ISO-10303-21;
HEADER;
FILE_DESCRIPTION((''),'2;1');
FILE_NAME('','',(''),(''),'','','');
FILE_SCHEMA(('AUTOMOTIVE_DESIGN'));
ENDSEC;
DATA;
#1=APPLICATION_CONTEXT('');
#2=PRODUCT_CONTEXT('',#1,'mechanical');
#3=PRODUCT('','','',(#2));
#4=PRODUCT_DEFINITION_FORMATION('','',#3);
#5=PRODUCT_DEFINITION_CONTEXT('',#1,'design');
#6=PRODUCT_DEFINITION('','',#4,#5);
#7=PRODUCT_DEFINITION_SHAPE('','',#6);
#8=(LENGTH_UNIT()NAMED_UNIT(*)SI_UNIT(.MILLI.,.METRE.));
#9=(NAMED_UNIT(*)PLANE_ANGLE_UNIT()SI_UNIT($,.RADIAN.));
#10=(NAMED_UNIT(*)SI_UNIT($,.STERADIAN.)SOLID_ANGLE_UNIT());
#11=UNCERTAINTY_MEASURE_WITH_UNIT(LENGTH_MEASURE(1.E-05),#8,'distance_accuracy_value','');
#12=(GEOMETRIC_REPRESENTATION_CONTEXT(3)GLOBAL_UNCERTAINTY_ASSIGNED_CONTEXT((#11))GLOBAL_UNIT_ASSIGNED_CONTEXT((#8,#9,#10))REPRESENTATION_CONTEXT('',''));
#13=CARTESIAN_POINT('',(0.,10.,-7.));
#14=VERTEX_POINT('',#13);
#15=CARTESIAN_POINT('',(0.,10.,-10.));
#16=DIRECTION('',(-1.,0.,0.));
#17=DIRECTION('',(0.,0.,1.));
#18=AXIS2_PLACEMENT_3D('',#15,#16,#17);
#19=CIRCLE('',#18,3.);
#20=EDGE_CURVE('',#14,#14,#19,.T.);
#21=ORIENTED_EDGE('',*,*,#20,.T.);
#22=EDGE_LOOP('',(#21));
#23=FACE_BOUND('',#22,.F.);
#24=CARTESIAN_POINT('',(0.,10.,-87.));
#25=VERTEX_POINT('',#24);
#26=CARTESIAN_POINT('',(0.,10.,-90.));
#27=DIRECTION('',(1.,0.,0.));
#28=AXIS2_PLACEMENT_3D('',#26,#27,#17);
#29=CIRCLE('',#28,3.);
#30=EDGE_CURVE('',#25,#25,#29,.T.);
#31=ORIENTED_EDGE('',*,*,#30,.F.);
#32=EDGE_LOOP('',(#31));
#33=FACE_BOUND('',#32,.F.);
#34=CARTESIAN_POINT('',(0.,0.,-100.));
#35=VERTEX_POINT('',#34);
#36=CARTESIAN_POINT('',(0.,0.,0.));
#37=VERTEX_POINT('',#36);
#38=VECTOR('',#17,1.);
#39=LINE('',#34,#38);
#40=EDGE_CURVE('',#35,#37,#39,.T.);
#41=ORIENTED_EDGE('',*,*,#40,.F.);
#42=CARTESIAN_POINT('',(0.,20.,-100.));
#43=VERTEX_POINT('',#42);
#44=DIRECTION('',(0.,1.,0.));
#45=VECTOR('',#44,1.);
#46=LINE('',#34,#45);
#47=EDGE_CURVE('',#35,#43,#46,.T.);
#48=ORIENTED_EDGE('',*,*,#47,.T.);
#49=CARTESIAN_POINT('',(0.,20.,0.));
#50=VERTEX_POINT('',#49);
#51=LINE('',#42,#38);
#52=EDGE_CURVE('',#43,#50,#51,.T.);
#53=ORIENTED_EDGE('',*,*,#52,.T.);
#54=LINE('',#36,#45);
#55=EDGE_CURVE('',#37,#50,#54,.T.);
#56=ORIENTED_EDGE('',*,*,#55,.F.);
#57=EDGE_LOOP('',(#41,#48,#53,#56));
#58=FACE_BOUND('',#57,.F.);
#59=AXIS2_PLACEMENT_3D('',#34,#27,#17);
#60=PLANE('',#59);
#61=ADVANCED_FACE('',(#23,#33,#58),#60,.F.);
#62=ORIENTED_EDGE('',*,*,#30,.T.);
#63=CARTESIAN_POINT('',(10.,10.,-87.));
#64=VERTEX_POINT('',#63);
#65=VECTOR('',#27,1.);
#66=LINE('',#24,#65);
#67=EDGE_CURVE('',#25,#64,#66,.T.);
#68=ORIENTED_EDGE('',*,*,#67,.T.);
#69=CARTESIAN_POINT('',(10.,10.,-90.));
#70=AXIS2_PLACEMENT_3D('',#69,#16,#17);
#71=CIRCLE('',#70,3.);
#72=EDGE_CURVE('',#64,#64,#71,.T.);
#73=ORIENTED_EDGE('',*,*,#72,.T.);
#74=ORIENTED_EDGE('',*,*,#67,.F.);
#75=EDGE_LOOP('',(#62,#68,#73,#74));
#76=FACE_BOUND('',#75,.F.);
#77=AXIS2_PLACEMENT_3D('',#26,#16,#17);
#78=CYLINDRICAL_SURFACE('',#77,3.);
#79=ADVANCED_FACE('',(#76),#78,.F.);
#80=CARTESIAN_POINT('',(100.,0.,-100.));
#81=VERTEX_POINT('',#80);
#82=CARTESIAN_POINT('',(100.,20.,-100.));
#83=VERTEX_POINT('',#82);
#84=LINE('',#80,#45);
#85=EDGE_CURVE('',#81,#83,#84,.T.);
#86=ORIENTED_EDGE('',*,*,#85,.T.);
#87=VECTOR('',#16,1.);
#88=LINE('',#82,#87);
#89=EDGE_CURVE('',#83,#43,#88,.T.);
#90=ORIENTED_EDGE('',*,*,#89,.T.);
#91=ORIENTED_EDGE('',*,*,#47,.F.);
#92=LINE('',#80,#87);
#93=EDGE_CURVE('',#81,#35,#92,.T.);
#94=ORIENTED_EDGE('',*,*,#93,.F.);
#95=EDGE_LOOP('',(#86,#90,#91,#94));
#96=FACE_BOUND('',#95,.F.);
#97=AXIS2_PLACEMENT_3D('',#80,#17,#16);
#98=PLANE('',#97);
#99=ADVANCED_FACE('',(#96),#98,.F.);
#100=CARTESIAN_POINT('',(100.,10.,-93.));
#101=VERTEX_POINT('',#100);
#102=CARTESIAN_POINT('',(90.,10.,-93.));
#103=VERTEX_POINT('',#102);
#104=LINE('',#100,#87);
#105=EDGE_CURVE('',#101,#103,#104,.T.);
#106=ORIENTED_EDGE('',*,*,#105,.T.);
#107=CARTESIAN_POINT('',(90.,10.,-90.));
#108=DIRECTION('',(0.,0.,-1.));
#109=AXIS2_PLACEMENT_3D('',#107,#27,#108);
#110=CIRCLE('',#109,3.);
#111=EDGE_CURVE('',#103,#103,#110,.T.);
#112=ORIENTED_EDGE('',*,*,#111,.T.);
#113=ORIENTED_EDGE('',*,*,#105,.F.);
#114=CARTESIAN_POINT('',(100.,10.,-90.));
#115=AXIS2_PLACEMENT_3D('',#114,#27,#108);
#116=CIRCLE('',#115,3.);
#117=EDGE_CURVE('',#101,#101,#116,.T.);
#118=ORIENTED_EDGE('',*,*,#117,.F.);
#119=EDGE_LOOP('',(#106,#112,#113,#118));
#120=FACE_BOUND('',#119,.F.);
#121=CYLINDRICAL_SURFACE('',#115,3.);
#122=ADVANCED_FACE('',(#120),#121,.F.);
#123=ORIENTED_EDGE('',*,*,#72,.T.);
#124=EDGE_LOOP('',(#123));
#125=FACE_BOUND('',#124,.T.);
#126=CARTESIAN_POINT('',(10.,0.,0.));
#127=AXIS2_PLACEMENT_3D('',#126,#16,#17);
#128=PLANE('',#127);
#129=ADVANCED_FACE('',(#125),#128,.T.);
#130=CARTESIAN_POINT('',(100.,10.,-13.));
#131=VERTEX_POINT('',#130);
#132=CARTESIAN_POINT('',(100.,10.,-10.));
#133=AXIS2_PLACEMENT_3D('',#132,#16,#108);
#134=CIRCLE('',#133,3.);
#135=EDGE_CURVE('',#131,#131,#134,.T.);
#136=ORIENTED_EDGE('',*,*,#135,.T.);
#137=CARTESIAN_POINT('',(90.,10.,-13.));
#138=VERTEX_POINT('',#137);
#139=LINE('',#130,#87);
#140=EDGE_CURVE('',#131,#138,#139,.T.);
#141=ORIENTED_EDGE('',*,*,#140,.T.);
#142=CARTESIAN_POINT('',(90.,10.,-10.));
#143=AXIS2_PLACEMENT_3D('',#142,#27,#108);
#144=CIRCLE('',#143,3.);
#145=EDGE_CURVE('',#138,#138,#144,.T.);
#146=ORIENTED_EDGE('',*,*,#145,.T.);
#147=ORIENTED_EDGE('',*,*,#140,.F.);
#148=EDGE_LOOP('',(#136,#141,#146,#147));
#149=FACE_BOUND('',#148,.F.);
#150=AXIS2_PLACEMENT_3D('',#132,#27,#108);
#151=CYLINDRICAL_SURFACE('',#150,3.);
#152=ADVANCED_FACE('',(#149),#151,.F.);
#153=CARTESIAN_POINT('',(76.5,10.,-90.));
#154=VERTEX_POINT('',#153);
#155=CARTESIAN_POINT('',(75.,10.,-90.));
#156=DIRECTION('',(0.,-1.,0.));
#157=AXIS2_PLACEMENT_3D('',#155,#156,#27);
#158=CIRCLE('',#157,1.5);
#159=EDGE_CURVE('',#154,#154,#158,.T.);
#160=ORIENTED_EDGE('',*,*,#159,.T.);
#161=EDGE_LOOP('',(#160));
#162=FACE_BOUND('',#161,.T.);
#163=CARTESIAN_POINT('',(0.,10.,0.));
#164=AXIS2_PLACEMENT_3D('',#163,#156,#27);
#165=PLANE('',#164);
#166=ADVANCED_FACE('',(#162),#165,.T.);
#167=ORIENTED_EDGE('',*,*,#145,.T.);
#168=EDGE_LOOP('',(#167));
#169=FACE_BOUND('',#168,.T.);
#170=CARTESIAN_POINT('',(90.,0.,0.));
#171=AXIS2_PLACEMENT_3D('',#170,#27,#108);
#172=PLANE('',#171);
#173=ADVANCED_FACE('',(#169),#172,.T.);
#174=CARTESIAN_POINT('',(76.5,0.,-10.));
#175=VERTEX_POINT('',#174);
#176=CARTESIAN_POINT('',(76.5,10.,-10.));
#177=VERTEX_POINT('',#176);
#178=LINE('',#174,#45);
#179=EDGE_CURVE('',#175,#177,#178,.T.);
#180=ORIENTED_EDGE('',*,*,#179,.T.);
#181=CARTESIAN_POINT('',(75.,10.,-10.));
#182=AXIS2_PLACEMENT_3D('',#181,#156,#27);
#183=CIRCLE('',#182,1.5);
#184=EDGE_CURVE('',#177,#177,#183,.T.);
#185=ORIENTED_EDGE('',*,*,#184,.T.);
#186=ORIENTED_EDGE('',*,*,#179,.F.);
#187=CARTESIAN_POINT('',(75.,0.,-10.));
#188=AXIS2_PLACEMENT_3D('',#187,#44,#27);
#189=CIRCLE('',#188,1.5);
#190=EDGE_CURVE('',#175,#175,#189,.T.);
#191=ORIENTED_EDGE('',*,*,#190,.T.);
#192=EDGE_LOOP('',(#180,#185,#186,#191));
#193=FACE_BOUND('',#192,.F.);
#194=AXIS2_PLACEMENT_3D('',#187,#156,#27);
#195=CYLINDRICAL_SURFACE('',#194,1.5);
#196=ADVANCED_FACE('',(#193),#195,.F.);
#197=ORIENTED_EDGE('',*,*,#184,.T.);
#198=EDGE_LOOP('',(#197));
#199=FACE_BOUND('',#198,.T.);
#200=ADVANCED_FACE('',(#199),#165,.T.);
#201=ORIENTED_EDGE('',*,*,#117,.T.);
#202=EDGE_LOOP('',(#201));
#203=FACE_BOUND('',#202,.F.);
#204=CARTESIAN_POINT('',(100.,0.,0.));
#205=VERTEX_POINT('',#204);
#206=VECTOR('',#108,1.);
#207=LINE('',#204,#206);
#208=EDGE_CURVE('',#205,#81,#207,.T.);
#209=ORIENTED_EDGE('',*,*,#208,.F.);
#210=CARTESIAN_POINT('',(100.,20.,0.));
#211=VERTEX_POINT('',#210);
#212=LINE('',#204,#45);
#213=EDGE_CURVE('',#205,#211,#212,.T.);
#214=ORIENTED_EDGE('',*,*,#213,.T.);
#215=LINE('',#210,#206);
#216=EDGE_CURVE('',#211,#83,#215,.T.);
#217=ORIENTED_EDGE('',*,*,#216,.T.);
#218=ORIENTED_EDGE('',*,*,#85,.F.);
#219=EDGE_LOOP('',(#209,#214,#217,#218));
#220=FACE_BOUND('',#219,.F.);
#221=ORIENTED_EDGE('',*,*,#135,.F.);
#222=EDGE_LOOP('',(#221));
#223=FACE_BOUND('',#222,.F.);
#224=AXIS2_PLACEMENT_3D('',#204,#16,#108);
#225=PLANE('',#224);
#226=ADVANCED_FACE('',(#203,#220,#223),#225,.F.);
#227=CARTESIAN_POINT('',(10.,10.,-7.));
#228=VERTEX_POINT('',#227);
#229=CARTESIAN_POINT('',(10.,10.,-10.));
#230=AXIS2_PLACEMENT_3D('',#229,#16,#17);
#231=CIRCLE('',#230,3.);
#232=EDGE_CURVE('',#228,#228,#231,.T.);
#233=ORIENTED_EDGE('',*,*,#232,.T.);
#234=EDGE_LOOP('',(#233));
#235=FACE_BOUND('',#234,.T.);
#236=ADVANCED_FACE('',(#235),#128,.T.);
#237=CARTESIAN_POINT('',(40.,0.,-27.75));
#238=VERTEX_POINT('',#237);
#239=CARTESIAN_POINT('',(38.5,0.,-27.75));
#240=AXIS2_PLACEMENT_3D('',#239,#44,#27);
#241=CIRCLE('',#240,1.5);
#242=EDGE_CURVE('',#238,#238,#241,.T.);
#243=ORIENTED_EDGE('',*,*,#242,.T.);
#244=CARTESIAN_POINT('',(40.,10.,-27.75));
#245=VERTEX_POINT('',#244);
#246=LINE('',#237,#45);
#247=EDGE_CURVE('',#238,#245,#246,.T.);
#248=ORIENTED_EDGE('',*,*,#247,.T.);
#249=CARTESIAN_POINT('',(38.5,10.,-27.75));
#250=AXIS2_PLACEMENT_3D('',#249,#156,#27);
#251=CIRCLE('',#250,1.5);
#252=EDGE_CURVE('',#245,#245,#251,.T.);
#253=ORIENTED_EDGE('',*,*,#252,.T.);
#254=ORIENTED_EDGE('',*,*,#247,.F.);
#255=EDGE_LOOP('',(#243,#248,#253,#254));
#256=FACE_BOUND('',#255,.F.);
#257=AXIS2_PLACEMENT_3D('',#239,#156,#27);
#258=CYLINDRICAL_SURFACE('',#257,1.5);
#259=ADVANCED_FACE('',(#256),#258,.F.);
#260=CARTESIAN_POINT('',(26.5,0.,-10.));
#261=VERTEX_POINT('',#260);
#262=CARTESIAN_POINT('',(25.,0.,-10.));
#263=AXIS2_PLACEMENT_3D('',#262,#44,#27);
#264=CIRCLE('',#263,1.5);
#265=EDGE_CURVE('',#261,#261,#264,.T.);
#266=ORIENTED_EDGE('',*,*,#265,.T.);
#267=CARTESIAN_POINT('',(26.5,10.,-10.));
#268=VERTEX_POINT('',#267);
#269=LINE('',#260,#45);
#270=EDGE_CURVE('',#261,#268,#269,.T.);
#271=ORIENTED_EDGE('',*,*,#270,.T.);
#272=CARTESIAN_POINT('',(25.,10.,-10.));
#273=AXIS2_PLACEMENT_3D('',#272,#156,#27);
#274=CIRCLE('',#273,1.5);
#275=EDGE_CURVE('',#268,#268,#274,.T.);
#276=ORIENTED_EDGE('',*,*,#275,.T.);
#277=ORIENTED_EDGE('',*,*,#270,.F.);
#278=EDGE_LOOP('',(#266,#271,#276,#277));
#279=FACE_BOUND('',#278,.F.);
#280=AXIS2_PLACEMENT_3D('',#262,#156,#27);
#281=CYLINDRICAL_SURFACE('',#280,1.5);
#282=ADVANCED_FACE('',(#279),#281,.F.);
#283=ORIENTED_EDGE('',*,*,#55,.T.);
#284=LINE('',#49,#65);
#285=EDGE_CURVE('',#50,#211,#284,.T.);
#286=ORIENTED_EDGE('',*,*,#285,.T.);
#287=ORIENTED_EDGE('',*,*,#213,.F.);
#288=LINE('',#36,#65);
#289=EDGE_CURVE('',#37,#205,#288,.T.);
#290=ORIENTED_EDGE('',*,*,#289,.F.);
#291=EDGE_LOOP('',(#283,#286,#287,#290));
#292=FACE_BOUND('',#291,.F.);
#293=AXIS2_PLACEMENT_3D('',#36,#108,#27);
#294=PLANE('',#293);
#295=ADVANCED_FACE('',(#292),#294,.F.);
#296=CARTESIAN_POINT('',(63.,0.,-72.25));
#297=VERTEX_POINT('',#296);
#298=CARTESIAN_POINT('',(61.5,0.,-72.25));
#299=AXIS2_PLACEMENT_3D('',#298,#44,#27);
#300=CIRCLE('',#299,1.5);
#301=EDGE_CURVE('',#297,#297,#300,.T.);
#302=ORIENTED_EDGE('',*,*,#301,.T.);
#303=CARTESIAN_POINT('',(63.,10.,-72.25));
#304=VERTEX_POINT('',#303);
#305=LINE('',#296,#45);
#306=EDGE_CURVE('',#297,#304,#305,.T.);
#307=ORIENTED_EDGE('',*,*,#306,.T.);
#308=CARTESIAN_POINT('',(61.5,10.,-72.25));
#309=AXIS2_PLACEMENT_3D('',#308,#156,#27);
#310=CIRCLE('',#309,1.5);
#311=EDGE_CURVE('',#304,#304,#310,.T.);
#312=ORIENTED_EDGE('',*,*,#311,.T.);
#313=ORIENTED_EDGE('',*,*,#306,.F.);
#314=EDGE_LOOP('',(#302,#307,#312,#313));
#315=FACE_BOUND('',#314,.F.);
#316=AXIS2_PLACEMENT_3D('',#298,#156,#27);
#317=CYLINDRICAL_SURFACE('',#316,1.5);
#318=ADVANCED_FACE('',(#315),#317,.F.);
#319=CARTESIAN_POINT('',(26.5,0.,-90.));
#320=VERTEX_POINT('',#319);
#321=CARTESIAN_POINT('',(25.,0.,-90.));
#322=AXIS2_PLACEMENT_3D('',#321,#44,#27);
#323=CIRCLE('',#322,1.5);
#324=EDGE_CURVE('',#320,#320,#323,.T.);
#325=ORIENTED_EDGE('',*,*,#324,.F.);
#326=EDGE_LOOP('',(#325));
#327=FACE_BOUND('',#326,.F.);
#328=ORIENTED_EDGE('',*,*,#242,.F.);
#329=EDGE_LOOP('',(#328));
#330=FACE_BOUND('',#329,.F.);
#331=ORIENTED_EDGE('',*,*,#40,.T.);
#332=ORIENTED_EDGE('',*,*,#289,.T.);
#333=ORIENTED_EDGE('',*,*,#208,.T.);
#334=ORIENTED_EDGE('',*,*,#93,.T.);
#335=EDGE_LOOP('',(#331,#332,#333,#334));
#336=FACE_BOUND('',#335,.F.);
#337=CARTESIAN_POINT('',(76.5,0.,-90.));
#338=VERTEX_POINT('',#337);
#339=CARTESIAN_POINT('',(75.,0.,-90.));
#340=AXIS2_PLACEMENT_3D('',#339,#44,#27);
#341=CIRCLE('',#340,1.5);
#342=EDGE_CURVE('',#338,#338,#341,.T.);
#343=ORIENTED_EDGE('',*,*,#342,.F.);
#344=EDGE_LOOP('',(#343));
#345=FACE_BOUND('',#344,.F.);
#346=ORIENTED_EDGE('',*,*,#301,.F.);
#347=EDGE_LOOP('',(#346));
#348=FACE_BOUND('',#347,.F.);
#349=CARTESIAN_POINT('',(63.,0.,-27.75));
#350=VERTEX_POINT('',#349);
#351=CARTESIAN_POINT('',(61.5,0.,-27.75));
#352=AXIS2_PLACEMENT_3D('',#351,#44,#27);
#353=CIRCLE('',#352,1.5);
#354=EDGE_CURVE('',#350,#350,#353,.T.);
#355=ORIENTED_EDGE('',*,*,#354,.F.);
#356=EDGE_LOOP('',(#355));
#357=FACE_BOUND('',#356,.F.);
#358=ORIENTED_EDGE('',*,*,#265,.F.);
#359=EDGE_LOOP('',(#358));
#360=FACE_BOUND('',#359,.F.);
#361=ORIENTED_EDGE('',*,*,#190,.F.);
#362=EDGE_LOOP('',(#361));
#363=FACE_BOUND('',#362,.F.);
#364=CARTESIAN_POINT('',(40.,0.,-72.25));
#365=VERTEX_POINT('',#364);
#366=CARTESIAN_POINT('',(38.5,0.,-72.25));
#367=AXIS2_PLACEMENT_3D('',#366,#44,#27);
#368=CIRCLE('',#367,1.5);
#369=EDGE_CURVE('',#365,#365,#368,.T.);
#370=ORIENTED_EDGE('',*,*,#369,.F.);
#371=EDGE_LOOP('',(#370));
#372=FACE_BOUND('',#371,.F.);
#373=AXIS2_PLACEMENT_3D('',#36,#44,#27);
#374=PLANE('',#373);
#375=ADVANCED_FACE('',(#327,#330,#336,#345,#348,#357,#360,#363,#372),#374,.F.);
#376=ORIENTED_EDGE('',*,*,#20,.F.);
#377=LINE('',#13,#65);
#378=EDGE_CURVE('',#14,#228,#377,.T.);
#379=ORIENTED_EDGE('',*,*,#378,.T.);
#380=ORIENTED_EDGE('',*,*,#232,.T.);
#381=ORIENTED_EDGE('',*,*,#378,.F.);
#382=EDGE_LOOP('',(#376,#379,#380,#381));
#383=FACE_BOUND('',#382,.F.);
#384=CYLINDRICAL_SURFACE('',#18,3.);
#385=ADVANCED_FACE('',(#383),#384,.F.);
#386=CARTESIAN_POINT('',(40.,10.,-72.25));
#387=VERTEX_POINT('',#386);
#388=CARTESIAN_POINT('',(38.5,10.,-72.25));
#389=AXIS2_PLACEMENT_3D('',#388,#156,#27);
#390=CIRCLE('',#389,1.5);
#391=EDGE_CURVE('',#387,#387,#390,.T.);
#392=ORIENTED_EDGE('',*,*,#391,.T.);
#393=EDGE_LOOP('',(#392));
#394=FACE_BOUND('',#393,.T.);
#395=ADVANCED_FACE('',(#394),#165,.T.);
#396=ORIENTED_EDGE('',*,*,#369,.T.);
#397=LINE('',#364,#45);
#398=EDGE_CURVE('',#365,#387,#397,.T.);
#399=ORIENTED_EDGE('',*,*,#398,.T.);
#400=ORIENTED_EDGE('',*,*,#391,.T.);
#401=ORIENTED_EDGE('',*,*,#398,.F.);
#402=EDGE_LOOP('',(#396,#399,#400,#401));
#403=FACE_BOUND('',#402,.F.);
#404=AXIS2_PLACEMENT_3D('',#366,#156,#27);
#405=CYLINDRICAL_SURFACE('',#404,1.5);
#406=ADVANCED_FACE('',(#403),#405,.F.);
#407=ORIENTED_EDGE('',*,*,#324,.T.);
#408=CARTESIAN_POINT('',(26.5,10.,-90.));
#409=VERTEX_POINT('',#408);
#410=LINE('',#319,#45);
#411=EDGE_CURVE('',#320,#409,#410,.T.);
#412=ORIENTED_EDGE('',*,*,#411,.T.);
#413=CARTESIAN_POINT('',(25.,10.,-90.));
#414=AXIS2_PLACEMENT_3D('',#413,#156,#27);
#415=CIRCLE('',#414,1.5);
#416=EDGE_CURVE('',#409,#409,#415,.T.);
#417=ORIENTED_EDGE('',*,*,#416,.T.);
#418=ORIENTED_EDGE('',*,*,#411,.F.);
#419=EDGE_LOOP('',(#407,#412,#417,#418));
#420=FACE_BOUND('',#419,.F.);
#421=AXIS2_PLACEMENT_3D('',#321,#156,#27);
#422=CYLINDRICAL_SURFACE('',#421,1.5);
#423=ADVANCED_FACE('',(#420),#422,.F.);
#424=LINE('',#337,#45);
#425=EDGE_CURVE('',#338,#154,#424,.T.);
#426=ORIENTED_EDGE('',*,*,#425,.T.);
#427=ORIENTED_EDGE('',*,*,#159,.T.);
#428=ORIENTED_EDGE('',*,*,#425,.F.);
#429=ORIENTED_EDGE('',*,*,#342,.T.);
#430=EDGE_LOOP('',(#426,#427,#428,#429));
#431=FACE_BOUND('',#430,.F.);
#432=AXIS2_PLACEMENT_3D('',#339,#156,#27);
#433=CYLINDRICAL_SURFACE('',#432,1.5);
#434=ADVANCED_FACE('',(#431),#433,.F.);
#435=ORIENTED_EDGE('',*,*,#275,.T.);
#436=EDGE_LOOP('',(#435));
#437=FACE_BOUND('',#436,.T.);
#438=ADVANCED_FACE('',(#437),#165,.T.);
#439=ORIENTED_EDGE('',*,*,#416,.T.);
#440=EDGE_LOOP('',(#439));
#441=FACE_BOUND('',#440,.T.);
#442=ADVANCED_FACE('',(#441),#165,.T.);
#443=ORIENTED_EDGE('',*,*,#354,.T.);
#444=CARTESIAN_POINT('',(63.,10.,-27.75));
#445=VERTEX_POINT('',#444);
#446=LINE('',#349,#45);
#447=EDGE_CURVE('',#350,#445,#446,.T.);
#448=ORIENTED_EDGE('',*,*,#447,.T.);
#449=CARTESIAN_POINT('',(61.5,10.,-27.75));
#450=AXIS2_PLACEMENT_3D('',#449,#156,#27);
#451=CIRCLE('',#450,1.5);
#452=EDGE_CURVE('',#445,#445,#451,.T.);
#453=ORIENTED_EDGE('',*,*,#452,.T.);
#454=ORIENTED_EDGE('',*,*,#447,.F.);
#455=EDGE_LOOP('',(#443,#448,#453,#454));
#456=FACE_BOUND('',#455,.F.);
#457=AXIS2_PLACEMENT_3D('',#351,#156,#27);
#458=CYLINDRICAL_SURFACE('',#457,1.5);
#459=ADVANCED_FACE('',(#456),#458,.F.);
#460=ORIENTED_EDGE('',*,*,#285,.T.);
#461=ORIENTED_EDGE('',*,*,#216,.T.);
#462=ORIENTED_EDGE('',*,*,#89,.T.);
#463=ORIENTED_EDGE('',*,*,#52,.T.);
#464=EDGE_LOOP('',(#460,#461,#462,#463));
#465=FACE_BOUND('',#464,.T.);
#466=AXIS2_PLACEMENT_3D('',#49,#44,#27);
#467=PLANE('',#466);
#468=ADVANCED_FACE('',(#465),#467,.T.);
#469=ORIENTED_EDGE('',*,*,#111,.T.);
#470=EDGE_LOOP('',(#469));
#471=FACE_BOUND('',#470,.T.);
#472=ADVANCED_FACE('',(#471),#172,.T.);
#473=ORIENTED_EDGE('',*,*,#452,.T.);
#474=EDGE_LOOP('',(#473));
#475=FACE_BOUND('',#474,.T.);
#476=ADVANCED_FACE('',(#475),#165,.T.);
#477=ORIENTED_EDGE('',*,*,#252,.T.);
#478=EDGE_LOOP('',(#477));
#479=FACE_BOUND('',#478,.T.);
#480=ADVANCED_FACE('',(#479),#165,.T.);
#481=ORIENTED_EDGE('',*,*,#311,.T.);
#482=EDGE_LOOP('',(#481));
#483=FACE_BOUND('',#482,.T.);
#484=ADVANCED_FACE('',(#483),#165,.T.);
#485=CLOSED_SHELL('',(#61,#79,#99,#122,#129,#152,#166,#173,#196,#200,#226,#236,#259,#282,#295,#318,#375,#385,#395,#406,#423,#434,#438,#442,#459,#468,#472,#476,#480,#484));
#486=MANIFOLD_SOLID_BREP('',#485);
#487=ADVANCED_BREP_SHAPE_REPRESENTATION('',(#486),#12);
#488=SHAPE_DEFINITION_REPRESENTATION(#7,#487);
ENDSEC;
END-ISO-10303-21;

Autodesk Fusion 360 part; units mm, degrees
sketch "Esquisse1" plane through (0, 0, 0) normal (0, 1, 0) x (1, 0, 0)
  line L0 (0, 0) -> (100, 0)
  line L1 (100, 0) -> (100, 100)
  line L2 (100, 100) -> (0, 100)
  line L3 (0, 100) -> (0, 0)
  dimension "d1" = 100
  dimension "d2" = 100
extrude "Extrusion1" add sketch "Esquisse1" along normal blind 20
sketch "Esquisse2" plane through (100, 0, 0) normal (1, 0, 0) x (0, 0, -1)
  line L0 (0, 0) -> (100, 0)
  line L1 (100, 0) -> (100, 20)
  line L2 (100, 20) -> (0, 20)
  line L3 (0, 20) -> (0, 0)
  line L4 (0, 10) -> (37, 10)
  circle A0 centre (10, 10) radius 3
  line L5 (50, 20) -> (50, 0)
  circle A1 centre (90, 10) radius 3
  dimension "d5" = 6
  dimension "d6" = 10
extrude "Extrusion2" cut sketch "Esquisse2" against normal blind 10 contours L4 A0 | L4 A0 | A1
sketch "Esquisse3" plane through (0, 0, 0) normal (-1, 0, 0) x (0, 0, 1)
  line L0 (-100, 0) -> (0, 0)
  line L1 (0, 0) -> (0, 20)
  line L2 (0, 20) -> (-100, 20)
  line L3 (-100, 20) -> (-100, 0)
  line L4 (-100, 10) -> (-70, 10)
  line L5 (-50, 20) -> (-50, 0)
  circle A0 centre (-90, 10) radius 3
  circle A1 centre (-10, 10) radius 3
  dimension "d9" = 6
  dimension "d10" = 10
extrude "Extrusion3" cut sketch "Esquisse3" against normal blind 10 contours L4 A0 | L4 A0 | A1
sketch "Esquisse4" plane through (0, 0, 0) normal (0, -1, 0) x (1, 0, 0)
  line L0 (0, 0) -> (0, -100)
  line L1 (0, -100) -> (100, -100)
  line L2 (100, -100) -> (100, 0)
  line L3 (100, 0) -> (0, 0)
  line L4 (0, -5) -> (20, -5)
  line L5 (20, -5) -> (20, 0)
  line L6 (80, 0) -> (80, -5)
  line L7 (80, -5) -> (100, -5)
  line L8 (0, -95) -> (20, -95)
  line L9 (20, -95) -> (20, -100)
  line L10 (80, -100) -> (80, -95)
  line L11 (80, -95) -> (100, -95)
  line L12 (20, -5) -> (80, -5)
  line L13 (80, -95) -> (20, -95)
  line L14 (20, -95) -> (20, -5)
  line L15 (80, -5) -> (80, -95)
  line L16 (20, -90) -> (25, -90)
  line L17 (25, -90) -> (25, -95)
  line L18 (80, -90) -> (75, -90)
  line L19 (75, -90) -> (75, -95)
  circle A0 centre (25, -90) radius 1.5
  circle A1 centre (75, -90) radius 1.5
  line L20 (20, -10) -> (25, -10)
  line L21 (25, -10) -> (25, -5)
  line L22 (75, -5) -> (75, -10)
  line L23 (75, -10) -> (80, -10)
  circle A2 centre (25, -10) radius 1.5
  circle A3 centre (75, -10) radius 1.5
  line L24 (35.75, -100) -> (35.75, -75)
  line L25 (35.75, -75) -> (0, -75)
  line L26 (35.75, 0) -> (35.75, -25)
  line L27 (35.75, -25) -> (0, -25)
  line L28 (64.25, 0) -> (64.25, -25)
  line L29 (64.25, -25) -> (100, -25)
  line L30 (100, -75) -> (64.25, -75)
  line L31 (64.25, -75) -> (64.25, -100)
  line L32 (64.25, -75) -> (35.75, -75)
  line L33 (35.75, -75) -> (35.75, -25)
  line L34 (35.75, -25) -> (64.25, -25)
  line L35 (64.25, -25) -> (64.25, -75)
  line L36 (61.5, -75) -> (61.5, -72.25)
  line L37 (61.5, -72.25) -> (64.25, -72.25)
  line L38 (38.5, -75) -> (38.5, -72.25)
  line L39 (38.5, -72.25) -> (35.75, -72.25)
  line L40 (38.5, -25) -> (38.5, -27.75)
  line L41 (38.5, -27.75) -> (35.75, -27.75)
  line L42 (61.5, -25) -> (61.5, -27.75)
  line L43 (61.5, -27.75) -> (64.25, -27.75)
  circle A4 centre (38.5, -72.25) radius 1.5
  circle A5 centre (61.5, -72.25) radius 1.5
  circle A6 centre (38.5, -27.75) radius 1.5
  circle A7 centre (61.5, -27.75) radius 1.5
  dimension "d13" = 5
  dimension "d14" = 20
  dimension "d15" = 5
  dimension "d16" = 20
  dimension "d17" = 20
  dimension "d18" = 20
  dimension "d19" = 5
  dimension "d20" = 5
  dimension "d21" = 5
  dimension "d22" = 5
  dimension "d23" = 5
  dimension "d24" = 5
  dimension "d25" = 3
  dimension "d26" = 3
  dimension "d27" = 5
  dimension "d28" = 5
  dimension "d29" = 5
  dimension "d30" = 5
  dimension "d31" = 3
  dimension "d32" = 3
  dimension "d35" = 25
  dimension "d36" = 25
  dimension "d37" = 35.75
  dimension "d38" = 35.75
  dimension "d39" = 25
  dimension "d40" = 25
  dimension "d41" = 35.75
  dimension "d42" = 35.75
  dimension "d43" = 2.75
  dimension "d44" = 2.75
  dimension "d45" = 2.75
  dimension "d46" = 2.75
  dimension "d47" = 2.75
  dimension "d48" = 2.75
  dimension "d49" = 2.75
  dimension "d50" = 2.75
  dimension "d51" = 3
  dimension "d52" = 3
  dimension "d53" = 3
  dimension "d54" = 3
extrude "Extrusion4" cut sketch "Esquisse4" against normal blind 10 contours L20 L21 A2 | L20 L21 A2 | L16 L17 A0 | L16 L17 A0 | L22 L23 A3 | L22 L23 A3 | L18 L19 A1 | L18 L19 A1
extrude "Extrusion5" cut sketch "Esquisse4" against normal blind 10 contours L40 L41 A6 | L40 L41 A6 | L38 L39 A4 | L38 L39 A4 | L42 L43 A7 | L42 L43 A7 | L36 L37 A5 | L36 L37 A5
